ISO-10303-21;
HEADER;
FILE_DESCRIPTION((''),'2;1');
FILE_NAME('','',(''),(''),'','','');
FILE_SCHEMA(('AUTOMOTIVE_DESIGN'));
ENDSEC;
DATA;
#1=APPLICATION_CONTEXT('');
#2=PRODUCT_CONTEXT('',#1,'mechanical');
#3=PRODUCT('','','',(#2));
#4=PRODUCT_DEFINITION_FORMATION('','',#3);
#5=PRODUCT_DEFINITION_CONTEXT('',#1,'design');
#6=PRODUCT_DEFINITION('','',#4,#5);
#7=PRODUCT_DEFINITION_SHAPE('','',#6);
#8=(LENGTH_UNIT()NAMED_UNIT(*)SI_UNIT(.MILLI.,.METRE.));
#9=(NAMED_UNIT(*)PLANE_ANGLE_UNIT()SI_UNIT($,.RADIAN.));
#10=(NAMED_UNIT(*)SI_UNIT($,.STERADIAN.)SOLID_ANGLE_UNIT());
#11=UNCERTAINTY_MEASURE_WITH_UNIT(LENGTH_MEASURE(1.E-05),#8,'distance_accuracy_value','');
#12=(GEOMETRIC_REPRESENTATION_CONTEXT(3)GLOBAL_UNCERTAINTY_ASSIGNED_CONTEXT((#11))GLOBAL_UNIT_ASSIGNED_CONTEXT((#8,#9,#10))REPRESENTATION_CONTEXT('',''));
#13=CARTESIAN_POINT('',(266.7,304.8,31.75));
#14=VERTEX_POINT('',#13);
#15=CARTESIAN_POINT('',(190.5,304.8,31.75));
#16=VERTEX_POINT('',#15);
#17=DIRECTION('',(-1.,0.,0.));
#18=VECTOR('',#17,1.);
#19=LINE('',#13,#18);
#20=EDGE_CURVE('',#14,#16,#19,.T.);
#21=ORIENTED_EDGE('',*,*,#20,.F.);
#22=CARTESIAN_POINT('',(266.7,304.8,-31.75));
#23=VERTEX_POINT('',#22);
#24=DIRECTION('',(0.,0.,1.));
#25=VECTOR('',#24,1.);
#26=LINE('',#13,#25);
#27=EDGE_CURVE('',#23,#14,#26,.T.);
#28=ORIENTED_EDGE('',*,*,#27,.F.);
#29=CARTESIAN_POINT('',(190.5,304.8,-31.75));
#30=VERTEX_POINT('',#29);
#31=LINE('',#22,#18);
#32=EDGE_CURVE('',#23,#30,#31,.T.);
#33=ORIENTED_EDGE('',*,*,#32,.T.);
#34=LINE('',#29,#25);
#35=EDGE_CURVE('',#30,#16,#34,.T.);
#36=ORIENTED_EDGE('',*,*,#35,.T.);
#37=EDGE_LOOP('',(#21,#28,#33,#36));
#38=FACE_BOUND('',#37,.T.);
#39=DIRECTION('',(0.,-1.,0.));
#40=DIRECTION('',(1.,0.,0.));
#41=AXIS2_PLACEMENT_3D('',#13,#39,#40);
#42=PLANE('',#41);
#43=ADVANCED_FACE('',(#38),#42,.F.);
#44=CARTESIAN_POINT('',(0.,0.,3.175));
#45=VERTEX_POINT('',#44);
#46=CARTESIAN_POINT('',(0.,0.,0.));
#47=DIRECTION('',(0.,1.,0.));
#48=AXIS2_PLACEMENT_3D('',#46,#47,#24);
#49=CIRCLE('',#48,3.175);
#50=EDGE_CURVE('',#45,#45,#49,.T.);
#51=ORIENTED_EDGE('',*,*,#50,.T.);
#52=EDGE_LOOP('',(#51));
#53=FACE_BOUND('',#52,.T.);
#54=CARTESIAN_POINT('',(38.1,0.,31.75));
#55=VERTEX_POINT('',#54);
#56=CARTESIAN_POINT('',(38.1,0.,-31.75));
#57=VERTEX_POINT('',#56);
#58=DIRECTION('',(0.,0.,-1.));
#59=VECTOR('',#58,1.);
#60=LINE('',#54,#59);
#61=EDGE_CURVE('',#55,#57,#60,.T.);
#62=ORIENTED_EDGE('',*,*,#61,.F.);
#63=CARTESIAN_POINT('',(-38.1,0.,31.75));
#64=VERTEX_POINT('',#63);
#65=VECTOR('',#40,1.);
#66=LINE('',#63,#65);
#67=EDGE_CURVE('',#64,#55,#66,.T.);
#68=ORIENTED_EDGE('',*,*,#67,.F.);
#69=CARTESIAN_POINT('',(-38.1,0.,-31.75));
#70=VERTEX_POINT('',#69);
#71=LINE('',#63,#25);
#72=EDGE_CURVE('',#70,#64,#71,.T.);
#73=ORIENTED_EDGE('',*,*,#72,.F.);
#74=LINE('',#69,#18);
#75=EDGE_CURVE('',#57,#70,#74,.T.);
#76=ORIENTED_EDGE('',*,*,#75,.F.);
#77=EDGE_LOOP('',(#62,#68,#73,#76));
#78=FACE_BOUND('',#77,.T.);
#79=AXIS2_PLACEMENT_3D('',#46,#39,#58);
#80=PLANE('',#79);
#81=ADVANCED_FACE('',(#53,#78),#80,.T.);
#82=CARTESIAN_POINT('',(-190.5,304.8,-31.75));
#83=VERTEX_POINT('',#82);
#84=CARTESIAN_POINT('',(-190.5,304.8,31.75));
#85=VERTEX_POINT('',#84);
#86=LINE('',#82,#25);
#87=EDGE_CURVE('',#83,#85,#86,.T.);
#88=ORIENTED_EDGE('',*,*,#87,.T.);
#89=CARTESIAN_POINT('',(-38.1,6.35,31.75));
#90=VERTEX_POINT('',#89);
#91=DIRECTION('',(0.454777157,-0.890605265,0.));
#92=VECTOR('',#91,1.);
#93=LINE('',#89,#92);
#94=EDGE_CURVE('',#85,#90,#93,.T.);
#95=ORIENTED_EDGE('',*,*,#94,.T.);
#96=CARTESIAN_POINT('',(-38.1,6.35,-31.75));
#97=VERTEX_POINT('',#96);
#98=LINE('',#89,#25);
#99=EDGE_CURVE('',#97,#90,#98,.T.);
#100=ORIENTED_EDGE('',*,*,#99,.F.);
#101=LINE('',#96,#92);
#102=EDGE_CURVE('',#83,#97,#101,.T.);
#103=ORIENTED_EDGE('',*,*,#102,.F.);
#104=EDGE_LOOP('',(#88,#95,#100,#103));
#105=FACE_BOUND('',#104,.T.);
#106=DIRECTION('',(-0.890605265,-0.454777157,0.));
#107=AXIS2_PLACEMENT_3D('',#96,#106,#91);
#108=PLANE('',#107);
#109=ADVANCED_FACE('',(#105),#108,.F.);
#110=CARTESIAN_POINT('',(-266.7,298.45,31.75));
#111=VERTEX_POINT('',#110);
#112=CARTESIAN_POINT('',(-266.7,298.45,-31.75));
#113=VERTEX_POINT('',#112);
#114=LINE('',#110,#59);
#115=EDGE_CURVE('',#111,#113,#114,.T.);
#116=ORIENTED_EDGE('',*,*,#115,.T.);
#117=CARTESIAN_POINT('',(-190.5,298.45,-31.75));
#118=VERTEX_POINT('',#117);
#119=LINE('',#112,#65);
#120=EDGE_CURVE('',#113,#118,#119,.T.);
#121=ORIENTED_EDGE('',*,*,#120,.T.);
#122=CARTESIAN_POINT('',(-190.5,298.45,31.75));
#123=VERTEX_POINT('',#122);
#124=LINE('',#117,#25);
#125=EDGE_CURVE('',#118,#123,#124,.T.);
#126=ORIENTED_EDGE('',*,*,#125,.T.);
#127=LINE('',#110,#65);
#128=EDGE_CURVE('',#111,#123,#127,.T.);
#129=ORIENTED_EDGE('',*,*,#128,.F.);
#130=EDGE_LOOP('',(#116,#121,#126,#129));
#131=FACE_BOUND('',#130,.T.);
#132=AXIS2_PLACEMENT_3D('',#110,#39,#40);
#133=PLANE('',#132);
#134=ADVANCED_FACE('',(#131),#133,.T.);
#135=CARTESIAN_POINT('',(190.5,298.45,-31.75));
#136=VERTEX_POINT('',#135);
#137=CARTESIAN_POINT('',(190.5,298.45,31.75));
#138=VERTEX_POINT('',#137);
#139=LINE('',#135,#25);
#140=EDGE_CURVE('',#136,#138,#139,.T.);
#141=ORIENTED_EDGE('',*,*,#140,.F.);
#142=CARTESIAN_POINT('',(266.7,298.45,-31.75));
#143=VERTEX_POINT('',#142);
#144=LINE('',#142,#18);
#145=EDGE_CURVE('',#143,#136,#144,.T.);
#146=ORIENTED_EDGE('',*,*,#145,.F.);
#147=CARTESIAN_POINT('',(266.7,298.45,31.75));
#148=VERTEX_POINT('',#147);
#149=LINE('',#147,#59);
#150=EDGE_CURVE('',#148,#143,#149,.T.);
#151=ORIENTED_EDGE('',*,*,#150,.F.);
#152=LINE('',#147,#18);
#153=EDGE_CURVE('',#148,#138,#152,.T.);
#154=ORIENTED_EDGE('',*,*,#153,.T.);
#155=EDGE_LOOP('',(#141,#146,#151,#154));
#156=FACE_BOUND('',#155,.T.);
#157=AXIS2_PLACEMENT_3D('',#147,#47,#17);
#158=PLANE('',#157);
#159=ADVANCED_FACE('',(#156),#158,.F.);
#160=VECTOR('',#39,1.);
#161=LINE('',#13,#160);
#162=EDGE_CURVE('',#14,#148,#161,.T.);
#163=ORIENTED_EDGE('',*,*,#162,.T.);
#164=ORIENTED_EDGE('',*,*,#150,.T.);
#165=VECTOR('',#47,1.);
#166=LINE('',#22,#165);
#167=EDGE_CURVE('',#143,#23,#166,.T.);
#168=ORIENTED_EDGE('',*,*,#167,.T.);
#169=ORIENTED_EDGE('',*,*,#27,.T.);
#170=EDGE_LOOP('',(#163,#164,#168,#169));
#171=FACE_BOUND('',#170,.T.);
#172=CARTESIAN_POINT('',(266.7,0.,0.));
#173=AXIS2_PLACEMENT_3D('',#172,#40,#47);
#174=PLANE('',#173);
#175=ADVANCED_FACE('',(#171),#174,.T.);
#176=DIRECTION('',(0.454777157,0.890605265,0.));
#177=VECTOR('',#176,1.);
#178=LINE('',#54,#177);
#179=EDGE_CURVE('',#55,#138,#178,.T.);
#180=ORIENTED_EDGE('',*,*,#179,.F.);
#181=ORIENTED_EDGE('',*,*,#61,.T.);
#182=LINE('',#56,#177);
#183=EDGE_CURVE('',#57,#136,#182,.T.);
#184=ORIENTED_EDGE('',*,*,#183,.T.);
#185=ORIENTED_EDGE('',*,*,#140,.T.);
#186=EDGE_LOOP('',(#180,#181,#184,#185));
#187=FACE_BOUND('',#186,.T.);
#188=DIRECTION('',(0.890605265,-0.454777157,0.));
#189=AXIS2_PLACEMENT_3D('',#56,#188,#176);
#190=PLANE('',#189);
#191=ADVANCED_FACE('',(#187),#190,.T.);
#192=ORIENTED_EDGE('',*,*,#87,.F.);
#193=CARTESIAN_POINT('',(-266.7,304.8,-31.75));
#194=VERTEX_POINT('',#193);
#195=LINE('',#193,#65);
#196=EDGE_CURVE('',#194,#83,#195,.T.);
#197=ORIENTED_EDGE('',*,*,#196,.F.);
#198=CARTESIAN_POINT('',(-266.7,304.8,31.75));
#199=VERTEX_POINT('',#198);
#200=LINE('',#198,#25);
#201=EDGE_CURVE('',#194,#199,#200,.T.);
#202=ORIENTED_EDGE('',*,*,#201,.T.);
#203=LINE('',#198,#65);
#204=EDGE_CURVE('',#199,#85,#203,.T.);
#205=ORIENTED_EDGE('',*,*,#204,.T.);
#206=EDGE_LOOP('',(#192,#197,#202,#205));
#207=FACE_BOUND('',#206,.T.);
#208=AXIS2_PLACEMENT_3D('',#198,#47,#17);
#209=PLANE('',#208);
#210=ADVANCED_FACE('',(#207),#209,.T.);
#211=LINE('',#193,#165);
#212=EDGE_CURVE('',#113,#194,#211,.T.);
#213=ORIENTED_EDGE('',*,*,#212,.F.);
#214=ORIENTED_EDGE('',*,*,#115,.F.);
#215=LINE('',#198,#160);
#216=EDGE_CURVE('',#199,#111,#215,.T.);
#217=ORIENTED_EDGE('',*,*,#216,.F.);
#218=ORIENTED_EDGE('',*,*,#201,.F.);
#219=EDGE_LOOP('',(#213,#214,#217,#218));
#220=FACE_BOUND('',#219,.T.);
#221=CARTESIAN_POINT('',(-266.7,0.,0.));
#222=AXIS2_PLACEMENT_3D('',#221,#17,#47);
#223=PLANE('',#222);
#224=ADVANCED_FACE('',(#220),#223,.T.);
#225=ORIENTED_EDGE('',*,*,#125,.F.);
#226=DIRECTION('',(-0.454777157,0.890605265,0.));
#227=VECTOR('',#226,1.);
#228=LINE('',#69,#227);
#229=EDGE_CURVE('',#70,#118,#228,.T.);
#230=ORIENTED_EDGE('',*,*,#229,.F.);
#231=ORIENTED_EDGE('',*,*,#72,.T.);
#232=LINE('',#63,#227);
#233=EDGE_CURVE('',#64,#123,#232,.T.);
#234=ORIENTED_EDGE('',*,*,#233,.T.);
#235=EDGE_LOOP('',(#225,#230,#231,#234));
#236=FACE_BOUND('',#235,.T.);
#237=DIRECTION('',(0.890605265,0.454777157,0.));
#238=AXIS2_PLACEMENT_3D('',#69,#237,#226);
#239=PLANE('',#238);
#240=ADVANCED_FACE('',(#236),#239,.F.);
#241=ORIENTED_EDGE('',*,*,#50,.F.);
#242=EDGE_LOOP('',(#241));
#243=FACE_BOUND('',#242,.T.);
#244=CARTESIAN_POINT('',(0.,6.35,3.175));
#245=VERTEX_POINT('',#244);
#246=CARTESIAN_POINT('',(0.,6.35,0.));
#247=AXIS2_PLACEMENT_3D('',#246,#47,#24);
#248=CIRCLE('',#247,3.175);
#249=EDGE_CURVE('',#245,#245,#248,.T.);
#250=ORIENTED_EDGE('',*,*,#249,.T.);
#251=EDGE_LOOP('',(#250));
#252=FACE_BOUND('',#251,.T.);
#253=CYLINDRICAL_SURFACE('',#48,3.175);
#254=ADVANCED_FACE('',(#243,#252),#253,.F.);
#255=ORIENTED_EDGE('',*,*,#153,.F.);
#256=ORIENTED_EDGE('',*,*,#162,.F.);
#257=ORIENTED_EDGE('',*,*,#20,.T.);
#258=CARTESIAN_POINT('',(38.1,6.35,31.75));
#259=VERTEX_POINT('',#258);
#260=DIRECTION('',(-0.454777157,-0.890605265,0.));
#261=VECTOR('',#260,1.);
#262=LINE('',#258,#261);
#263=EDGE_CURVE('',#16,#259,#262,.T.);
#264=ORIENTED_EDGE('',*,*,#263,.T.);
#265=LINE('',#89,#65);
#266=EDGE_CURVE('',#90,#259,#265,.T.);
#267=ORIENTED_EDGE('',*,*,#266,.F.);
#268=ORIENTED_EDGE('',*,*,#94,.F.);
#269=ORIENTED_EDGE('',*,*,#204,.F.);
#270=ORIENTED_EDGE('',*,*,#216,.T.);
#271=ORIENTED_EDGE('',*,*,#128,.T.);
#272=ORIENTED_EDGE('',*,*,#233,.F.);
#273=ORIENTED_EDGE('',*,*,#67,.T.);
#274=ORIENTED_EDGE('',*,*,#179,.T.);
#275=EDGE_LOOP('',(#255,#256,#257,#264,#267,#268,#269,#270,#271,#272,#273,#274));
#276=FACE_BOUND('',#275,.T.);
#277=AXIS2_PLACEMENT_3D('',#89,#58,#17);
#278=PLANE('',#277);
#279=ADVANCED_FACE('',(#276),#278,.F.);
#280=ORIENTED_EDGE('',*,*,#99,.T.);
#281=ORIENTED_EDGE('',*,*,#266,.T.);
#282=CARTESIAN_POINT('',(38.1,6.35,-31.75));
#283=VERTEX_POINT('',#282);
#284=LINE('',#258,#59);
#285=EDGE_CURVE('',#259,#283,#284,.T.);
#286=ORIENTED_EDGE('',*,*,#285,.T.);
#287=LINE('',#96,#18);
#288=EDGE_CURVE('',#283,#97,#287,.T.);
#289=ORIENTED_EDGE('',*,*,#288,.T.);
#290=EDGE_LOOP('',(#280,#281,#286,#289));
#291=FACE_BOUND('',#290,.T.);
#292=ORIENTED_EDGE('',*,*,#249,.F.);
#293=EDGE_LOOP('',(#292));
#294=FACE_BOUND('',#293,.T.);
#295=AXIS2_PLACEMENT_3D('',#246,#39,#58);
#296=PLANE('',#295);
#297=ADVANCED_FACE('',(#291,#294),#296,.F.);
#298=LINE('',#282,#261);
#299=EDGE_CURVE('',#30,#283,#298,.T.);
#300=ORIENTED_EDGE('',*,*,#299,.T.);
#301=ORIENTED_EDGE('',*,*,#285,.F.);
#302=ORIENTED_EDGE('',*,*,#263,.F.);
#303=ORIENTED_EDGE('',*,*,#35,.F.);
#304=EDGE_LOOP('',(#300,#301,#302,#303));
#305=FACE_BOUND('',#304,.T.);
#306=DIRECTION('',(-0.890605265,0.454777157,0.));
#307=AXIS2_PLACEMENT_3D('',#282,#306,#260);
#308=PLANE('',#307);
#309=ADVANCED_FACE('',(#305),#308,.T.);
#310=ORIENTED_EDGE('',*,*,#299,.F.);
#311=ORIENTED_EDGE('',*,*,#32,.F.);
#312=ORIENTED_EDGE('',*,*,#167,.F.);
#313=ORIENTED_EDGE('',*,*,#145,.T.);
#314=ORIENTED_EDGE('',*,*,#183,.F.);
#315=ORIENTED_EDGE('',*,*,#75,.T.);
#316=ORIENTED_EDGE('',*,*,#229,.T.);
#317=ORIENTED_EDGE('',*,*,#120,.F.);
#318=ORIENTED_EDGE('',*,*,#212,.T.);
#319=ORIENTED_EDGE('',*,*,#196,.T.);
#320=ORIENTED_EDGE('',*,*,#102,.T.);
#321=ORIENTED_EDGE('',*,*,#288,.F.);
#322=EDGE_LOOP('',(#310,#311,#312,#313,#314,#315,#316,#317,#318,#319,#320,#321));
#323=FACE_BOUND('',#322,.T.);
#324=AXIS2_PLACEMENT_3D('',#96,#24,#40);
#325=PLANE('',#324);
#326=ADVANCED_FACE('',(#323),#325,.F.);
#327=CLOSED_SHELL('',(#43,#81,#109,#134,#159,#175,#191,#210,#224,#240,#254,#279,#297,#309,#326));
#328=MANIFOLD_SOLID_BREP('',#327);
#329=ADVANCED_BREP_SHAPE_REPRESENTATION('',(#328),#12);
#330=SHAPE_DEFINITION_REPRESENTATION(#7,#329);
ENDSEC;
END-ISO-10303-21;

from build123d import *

# Parameters (mm, degrees)
SKETCH1_W           = 76.2
SKETCH1_H           = 63.5
BOSS_EXTRUDE1_DEPTH = 6.35
SKETCH2_R           = 3.175
CUT_EXTRUDE1_DEPTH  = 50.99995
BOSS_EXTRUDE2_DEPTH = 63.5
SKETCH4_W           = 63.5
SKETCH4_H           = 6.35
BOSS_EXTRUDE3_DEPTH = 76.2


with BuildPart() as part:
    # Sketch1 → Boss-Extrude1 (new body)
    with BuildSketch(Plane(origin=(0, 0, 0), x_dir=(1, 0, 0), z_dir=(0, 1, 0))):
        Rectangle(SKETCH1_W, SKETCH1_H)
    extrude(amount=BOSS_EXTRUDE1_DEPTH)

    # Sketch2 → Cut-Extrude1 (cut, through all)
    with BuildSketch(Plane(origin=(0, 6.35, 0), x_dir=(1, 0, 0), z_dir=(0, 1, 0))):
        with Locations(Location((0, 0, 0), (0, 0, 270))):
            Circle(SKETCH2_R)
    extrude(amount=-CUT_EXTRUDE1_DEPTH, mode=Mode.SUBTRACT)

    # Sketch3 → Boss-Extrude2 (add)
    with BuildSketch(Plane.XY.offset(31.75)):
        Polygon((38.1, 6.35), (190.5, 304.8), (190.5, 298.45), (38.1, 0), align=None)
    boss_extrude2 = extrude(amount=-BOSS_EXTRUDE2_DEPTH)

    # Sketch4 → Boss-Extrude3 (add)
    with BuildSketch(Plane(origin=(190.5, 0, 0), x_dir=(0, 0, -1), z_dir=(1, 0, 0))):
        with Locations((0, 301.625)):
            Rectangle(SKETCH4_W, SKETCH4_H)
    boss_extrude3 = extrude(amount=BOSS_EXTRUDE3_DEPTH)

    # Mirror1: Boss-Extrude2, Boss-Extrude3 across plane
    add(boss_extrude2.mirror(Plane(origin=(0, 0, 0), x_dir=(0, 0, 1), z_dir=(1, 0, 0))))
    add(boss_extrude3.mirror(Plane(origin=(0, 0, 0), x_dir=(0, 0, 1), z_dir=(1, 0, 0))))


solid = part.part
